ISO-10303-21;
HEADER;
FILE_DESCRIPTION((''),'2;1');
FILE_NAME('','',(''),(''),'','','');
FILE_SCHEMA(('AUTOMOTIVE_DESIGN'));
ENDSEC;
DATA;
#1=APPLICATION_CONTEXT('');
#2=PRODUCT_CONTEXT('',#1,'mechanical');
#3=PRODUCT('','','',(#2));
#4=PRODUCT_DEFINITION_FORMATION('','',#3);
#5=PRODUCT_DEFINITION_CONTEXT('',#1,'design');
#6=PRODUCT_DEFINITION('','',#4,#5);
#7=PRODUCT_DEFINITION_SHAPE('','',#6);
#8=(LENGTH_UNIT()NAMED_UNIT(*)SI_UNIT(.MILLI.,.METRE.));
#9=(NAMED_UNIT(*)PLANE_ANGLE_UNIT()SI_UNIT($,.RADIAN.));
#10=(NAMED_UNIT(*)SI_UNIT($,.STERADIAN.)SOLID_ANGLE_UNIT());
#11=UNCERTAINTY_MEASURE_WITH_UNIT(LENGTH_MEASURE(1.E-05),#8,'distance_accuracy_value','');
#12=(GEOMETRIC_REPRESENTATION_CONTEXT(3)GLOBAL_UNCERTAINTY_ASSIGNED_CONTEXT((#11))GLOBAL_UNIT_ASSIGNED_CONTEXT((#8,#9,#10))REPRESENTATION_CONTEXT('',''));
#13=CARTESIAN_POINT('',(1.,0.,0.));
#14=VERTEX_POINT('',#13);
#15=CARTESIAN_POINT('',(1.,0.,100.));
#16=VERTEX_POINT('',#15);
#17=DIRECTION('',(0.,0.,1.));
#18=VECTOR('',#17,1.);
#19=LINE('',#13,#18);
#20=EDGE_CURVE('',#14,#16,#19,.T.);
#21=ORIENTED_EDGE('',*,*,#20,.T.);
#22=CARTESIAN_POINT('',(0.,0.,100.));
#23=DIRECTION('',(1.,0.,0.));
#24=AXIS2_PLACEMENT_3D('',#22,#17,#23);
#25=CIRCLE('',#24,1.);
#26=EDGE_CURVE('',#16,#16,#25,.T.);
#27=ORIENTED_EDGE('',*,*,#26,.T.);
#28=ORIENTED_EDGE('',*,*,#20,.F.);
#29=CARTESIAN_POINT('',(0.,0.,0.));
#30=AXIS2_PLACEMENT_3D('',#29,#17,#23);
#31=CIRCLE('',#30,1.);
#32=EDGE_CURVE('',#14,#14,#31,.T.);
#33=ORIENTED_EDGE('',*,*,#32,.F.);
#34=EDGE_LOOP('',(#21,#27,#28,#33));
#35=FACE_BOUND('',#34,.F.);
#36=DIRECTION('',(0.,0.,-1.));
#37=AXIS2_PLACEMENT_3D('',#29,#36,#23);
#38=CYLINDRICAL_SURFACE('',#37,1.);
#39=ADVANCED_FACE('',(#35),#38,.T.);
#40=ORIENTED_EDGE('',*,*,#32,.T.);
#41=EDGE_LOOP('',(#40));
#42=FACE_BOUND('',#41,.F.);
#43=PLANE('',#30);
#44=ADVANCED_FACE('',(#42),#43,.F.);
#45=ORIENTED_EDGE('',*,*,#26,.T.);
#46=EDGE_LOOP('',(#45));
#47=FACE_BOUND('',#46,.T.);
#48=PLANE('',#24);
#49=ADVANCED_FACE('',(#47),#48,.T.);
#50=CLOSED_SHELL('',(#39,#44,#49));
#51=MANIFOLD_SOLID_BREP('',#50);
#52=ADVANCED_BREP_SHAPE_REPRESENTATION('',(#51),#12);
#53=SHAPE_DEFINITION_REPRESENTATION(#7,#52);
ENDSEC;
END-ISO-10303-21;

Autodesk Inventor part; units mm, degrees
ref_plane "YZ Plane" through (0, 0, 0) normal (1, 0, 0) x (0, 1, 0)
ref_plane "XZ Plane" through (0, 0, 0) normal (0, 1, 0) x (-1, 0, 0)
ref_plane "XY Plane" through (0, 0, 0) normal (0, 0, 1) x (1, 0, 0)
sketch "Sketch1" plane through (0, 0, 0) normal (0, 0, 1) x (1, 0, 0)
  circle A0 centre (0, 0) radius 1
  dimension "d0" = 2
extrude "Extrusion1" add sketch "Sketch1" along normal blind 100
properties part number "Shaft2"
